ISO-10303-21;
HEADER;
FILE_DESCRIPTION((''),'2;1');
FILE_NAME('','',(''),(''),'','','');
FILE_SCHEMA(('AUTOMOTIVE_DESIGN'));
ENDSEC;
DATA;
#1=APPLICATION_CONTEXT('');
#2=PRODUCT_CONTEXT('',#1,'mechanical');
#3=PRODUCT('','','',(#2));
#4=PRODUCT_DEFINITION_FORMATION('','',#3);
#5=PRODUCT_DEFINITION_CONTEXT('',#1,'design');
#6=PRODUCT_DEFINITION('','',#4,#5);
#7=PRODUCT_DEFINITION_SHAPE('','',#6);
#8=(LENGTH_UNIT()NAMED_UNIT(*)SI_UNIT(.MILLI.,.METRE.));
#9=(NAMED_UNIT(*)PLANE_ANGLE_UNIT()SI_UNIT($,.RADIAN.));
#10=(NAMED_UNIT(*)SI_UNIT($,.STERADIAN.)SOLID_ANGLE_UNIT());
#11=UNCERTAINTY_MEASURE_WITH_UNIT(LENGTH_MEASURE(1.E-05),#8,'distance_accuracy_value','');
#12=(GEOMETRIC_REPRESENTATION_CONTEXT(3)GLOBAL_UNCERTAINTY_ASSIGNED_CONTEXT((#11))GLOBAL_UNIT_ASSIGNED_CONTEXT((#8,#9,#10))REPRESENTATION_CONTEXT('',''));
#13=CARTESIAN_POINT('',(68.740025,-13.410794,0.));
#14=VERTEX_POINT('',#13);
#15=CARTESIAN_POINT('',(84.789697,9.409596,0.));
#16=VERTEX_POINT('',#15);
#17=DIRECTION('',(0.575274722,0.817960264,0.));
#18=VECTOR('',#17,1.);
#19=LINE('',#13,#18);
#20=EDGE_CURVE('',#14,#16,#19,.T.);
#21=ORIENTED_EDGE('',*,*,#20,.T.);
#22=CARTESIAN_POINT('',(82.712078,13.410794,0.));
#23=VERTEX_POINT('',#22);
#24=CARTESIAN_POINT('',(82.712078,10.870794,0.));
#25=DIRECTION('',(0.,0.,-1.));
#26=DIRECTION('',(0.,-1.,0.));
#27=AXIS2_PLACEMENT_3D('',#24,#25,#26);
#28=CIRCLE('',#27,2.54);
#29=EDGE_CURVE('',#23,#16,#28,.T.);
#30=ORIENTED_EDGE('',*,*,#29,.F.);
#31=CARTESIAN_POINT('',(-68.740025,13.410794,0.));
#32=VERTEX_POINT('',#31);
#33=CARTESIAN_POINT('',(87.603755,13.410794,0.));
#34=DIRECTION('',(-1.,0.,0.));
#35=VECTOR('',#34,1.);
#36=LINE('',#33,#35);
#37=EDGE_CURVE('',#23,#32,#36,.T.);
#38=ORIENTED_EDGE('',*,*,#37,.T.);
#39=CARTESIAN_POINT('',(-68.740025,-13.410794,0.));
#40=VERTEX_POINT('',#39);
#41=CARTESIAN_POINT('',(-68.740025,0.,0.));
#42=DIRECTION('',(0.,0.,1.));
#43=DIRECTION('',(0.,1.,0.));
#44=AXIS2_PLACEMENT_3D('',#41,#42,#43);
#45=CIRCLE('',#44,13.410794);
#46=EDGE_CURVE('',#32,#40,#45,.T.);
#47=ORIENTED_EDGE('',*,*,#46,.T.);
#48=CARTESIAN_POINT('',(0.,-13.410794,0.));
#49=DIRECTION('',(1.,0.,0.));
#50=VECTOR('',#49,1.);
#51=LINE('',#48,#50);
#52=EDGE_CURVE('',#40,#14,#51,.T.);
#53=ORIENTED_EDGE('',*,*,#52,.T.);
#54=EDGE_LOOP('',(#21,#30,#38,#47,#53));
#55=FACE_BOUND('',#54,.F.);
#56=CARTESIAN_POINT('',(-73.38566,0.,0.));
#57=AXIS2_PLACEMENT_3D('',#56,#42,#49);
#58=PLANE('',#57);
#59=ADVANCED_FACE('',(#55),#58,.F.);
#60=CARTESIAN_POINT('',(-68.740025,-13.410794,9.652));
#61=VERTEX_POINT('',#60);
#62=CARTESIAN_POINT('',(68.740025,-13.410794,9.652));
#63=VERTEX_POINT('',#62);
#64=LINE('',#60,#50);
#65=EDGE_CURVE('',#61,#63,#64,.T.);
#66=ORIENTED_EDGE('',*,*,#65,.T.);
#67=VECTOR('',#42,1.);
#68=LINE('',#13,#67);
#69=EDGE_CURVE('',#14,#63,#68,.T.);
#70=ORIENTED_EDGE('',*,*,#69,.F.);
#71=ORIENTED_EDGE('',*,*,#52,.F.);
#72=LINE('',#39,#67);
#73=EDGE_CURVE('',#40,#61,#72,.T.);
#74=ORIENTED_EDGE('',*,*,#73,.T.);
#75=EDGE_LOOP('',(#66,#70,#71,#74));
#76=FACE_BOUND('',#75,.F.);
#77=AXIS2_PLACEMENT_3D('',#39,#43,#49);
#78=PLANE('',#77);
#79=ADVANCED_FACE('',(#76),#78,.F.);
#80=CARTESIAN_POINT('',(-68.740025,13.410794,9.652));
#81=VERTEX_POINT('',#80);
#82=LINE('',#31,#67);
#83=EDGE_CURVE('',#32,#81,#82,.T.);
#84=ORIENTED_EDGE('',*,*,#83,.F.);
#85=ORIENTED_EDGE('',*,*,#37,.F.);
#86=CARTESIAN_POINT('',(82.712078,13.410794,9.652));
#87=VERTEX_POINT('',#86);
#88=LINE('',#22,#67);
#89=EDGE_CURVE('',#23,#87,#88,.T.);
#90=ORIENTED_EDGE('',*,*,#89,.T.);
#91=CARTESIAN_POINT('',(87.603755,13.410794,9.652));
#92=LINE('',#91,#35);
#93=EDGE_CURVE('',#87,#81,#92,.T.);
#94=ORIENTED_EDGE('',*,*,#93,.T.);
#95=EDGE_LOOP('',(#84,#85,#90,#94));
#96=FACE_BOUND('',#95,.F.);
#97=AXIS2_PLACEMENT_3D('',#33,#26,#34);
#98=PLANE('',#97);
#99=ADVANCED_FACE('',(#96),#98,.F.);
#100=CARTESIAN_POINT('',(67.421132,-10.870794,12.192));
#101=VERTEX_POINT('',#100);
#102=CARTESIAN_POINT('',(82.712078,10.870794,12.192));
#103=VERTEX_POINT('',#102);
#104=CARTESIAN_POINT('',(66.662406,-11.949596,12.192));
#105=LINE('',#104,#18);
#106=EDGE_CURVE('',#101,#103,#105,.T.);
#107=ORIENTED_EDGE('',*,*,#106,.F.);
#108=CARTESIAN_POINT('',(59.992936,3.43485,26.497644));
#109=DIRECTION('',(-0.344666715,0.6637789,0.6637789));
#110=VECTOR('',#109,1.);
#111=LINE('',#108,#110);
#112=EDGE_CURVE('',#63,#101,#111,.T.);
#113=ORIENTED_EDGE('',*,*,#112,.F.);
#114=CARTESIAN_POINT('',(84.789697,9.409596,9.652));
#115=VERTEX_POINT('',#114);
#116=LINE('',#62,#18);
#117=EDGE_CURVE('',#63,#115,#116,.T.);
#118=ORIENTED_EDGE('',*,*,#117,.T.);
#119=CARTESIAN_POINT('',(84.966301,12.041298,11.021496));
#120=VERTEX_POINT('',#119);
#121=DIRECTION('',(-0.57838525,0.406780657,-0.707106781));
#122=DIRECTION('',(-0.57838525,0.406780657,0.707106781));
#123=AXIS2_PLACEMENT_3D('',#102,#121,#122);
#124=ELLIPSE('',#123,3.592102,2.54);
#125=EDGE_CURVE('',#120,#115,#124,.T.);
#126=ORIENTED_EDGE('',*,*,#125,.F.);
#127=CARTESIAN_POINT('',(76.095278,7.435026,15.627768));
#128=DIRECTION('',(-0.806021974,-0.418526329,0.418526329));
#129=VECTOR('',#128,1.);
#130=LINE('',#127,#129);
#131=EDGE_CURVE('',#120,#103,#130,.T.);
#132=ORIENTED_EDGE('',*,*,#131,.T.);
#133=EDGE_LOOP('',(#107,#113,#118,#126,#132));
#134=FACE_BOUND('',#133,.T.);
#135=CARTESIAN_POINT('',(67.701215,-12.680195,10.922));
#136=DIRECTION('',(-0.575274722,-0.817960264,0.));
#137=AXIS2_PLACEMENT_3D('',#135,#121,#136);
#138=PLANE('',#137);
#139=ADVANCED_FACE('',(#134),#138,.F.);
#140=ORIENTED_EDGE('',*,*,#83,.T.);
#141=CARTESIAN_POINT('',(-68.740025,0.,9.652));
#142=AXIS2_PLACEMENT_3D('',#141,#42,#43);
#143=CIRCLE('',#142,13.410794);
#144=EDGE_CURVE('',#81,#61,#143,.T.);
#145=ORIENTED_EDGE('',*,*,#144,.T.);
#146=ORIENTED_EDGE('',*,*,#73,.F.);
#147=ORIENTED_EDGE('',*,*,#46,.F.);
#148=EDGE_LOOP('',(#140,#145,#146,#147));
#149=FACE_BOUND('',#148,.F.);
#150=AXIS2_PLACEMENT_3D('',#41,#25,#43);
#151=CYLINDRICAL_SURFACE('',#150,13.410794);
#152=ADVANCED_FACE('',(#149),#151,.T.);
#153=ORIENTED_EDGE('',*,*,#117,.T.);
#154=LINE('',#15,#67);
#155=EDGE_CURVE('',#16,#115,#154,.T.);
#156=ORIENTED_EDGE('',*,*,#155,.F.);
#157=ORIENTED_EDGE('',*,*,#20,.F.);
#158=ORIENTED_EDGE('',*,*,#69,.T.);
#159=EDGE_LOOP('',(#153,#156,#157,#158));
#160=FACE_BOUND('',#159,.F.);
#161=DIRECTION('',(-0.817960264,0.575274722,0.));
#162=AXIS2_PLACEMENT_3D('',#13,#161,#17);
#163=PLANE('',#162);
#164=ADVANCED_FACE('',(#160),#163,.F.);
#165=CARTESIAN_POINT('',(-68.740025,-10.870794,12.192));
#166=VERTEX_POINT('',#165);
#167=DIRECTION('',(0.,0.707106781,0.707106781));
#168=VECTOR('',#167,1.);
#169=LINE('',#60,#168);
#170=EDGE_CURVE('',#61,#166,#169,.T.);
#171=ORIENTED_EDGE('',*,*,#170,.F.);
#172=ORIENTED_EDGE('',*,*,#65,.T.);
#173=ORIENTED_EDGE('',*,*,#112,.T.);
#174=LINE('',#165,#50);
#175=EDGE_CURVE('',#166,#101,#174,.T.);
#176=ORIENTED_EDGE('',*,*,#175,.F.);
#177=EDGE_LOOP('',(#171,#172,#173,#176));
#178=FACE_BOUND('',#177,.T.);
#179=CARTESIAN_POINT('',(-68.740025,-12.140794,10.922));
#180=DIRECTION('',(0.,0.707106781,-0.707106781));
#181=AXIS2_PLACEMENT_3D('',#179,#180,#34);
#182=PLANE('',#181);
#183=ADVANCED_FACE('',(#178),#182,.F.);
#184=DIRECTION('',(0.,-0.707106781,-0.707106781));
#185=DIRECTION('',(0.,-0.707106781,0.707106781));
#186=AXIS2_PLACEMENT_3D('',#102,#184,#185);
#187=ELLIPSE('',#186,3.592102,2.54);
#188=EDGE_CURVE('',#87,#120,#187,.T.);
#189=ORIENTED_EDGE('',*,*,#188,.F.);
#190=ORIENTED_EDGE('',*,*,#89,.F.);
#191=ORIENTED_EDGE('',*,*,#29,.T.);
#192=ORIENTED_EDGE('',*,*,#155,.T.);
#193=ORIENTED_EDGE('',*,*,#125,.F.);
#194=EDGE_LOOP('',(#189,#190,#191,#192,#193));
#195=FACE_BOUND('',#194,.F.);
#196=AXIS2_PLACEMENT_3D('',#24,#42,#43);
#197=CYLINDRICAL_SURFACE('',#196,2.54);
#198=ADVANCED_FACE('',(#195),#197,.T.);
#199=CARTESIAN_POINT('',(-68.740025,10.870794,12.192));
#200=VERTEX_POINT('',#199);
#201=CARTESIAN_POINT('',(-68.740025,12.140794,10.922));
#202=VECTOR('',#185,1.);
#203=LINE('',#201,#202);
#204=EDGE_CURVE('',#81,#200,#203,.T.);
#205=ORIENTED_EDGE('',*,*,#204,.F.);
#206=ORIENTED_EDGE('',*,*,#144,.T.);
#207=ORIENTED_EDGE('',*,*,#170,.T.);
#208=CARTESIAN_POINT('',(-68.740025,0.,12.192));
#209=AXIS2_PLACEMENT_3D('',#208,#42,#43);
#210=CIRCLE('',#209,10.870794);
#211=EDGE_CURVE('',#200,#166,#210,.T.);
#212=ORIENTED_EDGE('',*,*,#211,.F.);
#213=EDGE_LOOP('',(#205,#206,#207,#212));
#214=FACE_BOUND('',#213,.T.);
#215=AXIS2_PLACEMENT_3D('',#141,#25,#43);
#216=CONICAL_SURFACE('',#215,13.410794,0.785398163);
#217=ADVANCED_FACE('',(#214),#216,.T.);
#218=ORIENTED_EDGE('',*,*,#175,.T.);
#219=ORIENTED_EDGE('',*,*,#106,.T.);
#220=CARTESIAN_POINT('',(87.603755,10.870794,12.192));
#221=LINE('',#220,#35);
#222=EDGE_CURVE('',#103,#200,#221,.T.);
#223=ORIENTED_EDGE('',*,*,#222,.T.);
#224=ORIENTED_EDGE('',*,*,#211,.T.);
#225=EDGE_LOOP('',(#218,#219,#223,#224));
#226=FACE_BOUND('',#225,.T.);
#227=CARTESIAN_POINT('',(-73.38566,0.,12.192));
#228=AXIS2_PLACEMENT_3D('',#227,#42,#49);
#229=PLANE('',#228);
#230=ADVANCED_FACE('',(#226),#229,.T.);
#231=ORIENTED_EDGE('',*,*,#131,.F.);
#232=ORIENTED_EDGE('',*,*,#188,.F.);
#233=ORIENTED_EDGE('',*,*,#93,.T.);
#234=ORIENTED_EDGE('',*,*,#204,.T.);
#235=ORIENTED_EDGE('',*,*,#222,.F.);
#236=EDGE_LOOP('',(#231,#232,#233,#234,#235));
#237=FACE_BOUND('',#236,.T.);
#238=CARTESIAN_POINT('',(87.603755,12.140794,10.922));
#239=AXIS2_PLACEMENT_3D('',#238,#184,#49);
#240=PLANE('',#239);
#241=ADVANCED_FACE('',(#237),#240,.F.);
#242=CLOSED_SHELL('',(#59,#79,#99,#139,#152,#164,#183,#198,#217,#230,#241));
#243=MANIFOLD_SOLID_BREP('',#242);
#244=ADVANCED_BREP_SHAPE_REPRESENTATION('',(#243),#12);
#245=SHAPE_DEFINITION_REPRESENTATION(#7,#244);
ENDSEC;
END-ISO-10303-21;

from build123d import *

# Parameters (mm, degrees)
F0_W     = 137.48005
F0_H     = 26.821588
F1_DEPTH = 12.192
F2_SIZE  = 2.54
F3_R     = 2.54


with BuildPart() as f1:
    # F0 (on Top) → F1 (new body)
    with BuildSketch(Plane.XY):
        with BuildLine():
            Line((-68.740025, -13.410794), (-68.740025, 13.410794))
            ThreePointArc((-68.740025, 13.410794), (-82.150819, 0), (-68.740025, -13.410794))
        make_face()
        Rectangle(F0_W, F0_H)
        Polygon((87.603755, 13.410794), (68.740025, 13.410794), (68.740025, -13.410794), align=None)
    extrude(amount=F1_DEPTH)

    # F2
    f2_edges = [f1.edges().sort_by_distance(p)[0] for p in [
        (9.431865, 13.410794, 12.192),
        (-82.150819, 0, 12.192),
        (0, -13.410794, 12.192),
        (78.17189, 0, 12.192),
    ]]
    chamfer(f2_edges, length=F2_SIZE)

    # F3
    f3_edges = [f1.edges().sort_by_distance(p)[0] for p in [
        (87.603755, 13.410794, 4.826),
    ]]
    fillet(f3_edges, radius=F3_R)


solid = f1.part
